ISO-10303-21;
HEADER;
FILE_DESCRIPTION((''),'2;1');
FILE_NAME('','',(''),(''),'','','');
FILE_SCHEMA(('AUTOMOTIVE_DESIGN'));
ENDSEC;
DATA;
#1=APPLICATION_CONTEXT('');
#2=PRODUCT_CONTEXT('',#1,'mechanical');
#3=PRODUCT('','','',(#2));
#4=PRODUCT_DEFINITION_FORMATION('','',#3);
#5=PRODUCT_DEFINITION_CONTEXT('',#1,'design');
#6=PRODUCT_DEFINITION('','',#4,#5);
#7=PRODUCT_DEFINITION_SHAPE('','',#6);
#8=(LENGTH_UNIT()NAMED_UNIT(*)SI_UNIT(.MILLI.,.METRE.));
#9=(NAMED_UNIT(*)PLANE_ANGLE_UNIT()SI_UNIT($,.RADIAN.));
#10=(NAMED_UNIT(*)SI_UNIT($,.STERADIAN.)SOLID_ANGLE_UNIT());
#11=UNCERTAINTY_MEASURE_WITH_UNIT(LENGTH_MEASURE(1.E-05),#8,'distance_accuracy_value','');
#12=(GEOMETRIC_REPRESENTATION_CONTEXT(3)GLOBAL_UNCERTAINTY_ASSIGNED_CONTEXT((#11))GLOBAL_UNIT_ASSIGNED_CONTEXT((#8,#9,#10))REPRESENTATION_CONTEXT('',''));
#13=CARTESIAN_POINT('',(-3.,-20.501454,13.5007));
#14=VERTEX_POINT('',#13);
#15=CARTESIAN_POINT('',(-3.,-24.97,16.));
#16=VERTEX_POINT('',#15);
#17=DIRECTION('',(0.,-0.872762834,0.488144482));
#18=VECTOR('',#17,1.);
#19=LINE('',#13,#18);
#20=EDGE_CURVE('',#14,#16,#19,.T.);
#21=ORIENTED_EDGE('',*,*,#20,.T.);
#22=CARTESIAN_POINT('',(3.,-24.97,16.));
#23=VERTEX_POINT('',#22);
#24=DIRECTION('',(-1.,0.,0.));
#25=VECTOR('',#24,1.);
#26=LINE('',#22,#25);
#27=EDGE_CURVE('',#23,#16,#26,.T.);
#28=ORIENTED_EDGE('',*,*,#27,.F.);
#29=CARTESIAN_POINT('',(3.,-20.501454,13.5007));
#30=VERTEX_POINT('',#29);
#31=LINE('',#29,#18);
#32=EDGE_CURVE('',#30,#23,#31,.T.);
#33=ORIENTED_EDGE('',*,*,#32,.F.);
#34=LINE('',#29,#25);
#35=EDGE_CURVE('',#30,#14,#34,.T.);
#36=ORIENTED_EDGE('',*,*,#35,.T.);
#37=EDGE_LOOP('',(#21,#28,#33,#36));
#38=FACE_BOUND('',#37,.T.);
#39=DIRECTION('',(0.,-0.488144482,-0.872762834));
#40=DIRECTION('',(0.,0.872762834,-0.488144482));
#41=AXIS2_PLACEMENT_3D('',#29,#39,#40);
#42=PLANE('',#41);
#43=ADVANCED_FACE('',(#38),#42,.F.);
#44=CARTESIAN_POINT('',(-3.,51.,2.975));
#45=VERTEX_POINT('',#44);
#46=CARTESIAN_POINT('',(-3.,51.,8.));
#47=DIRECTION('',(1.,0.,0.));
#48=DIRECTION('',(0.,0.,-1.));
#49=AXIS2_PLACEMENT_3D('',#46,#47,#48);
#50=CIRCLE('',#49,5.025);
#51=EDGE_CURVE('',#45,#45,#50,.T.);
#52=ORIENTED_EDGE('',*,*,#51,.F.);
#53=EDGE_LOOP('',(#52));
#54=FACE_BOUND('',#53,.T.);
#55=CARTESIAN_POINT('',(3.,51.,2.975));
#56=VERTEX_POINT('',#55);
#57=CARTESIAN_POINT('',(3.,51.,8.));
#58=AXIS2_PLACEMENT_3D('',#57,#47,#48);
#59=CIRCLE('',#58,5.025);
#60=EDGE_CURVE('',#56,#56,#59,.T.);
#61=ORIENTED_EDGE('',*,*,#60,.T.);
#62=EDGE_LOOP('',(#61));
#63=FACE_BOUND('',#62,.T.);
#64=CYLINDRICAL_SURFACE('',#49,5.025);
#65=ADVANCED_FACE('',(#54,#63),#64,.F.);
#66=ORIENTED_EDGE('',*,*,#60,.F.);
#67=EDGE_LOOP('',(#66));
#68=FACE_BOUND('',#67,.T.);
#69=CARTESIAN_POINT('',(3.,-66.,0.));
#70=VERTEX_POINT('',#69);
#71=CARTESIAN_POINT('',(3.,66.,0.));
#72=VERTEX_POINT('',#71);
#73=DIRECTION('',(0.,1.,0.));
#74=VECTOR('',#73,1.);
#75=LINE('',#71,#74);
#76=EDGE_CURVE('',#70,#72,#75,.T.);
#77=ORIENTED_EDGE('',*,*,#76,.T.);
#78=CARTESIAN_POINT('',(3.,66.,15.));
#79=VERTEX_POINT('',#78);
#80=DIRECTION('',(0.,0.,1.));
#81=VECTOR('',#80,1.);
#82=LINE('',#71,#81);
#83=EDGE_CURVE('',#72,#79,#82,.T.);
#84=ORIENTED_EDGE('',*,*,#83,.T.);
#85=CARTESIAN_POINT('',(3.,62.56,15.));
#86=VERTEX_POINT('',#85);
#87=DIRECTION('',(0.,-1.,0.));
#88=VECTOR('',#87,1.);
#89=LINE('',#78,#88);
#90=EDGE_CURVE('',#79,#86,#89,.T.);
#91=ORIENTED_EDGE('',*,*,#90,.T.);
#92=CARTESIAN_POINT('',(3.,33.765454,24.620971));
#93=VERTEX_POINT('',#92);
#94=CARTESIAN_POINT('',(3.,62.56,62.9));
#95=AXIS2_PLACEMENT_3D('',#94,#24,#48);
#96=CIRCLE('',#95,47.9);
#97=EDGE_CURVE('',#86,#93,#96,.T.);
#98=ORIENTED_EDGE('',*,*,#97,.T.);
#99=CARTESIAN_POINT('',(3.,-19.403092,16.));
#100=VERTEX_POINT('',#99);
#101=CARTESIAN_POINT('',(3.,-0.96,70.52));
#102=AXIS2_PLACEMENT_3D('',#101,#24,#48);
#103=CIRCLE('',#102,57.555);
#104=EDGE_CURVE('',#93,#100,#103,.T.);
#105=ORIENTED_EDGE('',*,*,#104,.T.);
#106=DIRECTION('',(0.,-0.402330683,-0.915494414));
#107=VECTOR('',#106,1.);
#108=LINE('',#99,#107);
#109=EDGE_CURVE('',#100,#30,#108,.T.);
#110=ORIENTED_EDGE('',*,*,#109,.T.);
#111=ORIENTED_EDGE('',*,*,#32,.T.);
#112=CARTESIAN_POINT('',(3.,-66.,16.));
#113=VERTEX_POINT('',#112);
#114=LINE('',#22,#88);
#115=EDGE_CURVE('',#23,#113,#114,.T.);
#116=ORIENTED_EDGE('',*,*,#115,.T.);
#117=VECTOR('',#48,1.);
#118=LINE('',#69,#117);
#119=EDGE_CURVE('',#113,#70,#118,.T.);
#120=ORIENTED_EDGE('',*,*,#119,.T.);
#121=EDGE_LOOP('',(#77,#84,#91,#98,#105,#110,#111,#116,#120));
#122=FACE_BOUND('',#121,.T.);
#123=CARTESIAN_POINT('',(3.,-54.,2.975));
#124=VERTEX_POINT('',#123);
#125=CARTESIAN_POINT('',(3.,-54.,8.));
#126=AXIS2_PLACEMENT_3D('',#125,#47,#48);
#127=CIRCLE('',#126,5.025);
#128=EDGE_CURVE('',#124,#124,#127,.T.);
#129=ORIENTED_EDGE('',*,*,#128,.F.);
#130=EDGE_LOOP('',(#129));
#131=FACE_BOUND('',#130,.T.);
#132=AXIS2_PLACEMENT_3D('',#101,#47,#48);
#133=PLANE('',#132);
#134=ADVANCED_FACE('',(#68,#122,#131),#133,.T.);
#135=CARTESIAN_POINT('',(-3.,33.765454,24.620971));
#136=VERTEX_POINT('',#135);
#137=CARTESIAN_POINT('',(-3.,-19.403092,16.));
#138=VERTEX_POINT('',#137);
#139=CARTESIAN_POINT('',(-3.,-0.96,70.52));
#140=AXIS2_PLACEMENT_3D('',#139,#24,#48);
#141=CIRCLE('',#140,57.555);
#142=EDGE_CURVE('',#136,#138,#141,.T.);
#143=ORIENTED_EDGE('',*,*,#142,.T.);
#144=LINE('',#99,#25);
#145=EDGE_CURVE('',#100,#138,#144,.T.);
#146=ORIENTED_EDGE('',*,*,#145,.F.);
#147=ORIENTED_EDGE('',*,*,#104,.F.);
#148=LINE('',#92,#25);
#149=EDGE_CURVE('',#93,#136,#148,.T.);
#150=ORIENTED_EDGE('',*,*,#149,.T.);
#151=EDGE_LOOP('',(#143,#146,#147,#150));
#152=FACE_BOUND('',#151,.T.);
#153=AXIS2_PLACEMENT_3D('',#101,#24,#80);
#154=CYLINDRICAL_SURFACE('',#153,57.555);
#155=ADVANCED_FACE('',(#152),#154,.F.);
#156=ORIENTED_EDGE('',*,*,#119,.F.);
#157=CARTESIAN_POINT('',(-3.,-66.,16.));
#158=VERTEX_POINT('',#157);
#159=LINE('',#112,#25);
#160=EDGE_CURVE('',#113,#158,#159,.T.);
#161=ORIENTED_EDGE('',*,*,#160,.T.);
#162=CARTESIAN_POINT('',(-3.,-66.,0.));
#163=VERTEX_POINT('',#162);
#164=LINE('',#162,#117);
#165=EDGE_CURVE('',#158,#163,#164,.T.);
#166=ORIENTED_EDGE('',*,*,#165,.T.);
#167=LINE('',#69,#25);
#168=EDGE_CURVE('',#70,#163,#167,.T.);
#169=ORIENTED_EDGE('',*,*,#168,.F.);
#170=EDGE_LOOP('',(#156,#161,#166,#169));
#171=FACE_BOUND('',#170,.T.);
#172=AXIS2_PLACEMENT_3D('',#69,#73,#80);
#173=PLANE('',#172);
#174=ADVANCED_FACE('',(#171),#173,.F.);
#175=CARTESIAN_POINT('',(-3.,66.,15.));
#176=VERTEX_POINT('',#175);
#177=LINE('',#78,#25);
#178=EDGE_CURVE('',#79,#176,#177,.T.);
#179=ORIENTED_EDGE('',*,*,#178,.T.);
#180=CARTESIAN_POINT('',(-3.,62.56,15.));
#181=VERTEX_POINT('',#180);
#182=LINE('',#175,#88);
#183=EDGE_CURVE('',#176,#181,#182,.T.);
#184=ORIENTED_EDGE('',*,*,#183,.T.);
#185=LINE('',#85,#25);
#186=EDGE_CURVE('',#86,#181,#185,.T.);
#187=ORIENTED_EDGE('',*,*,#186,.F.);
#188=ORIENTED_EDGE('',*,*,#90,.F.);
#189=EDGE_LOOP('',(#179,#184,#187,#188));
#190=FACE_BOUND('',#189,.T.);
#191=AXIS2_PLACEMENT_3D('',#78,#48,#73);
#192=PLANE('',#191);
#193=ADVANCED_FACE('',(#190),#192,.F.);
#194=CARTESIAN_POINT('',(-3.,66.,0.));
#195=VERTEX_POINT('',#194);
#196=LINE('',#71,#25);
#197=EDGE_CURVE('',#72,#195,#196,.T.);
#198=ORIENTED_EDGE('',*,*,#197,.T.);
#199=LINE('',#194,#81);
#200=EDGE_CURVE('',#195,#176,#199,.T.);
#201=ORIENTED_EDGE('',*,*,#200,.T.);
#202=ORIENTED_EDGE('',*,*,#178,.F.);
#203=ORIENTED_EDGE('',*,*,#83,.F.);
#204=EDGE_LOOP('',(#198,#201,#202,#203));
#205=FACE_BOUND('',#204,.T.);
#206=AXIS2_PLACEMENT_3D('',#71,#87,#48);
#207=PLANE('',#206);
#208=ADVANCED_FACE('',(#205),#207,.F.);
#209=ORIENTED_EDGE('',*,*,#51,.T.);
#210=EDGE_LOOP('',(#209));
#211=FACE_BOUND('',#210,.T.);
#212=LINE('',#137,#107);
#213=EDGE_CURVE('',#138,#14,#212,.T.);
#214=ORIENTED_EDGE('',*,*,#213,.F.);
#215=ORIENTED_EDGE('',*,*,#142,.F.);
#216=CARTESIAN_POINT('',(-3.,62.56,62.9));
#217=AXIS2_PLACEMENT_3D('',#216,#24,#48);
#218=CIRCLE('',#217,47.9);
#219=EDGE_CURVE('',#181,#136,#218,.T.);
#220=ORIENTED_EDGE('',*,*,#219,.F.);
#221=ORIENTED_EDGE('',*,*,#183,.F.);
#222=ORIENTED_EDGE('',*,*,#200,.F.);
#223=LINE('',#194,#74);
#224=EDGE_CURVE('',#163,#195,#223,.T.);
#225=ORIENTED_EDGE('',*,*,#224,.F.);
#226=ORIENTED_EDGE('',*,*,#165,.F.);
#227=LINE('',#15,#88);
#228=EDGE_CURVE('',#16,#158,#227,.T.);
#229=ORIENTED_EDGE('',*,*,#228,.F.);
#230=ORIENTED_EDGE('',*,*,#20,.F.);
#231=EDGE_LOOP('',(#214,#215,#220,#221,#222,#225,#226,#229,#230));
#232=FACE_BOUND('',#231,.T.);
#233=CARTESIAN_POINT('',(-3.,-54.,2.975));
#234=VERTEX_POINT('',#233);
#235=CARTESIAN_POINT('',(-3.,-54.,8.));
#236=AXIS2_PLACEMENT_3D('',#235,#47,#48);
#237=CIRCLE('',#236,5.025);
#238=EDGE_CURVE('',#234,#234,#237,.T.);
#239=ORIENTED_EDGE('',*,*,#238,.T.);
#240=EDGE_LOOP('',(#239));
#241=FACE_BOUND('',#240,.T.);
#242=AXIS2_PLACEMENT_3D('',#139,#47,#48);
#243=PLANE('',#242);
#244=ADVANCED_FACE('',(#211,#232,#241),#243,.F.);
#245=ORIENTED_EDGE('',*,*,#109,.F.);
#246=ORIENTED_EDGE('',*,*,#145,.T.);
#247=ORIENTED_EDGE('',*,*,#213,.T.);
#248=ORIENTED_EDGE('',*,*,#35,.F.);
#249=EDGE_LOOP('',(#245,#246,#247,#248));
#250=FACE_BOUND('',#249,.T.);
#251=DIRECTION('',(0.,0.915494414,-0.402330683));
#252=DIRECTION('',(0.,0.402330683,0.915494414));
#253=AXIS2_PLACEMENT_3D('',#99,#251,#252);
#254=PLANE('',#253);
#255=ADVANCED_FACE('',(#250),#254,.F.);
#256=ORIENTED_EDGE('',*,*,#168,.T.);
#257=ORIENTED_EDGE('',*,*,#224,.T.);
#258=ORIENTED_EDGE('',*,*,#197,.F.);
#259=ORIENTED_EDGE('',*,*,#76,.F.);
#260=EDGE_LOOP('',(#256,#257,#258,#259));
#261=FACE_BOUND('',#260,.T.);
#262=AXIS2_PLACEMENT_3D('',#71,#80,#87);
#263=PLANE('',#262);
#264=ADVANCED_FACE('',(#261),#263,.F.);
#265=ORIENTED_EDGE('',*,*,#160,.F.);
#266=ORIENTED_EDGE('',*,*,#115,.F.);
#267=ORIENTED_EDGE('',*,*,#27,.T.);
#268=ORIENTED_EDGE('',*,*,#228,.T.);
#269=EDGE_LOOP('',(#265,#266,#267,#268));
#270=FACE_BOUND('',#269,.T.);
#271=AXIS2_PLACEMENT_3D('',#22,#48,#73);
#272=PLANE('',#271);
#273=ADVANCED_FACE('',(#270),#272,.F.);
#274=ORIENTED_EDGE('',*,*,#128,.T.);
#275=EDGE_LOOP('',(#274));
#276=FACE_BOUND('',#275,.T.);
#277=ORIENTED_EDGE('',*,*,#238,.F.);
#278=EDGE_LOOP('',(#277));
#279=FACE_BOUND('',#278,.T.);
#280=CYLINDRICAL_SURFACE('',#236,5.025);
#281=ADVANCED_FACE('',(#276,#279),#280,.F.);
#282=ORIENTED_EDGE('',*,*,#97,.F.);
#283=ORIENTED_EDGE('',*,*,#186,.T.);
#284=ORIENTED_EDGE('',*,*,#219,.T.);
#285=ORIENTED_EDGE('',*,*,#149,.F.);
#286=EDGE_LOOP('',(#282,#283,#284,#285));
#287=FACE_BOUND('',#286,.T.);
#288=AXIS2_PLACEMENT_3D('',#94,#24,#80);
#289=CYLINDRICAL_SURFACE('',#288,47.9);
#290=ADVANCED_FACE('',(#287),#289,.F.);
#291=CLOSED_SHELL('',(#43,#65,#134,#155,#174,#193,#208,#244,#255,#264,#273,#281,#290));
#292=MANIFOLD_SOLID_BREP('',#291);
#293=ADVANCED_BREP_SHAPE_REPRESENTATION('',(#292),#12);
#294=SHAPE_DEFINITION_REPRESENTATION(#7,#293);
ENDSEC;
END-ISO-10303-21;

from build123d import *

# Parameters (mm, degrees)
BOSS_EXTRUDE1_DEPTH = 3
SKETCH3_R           = 5.025
CUT_EXTRUDE1_DEPTH  = 71.697893831


with BuildPart() as part:
    # Sketch1 → Boss-Extrude1 (new, symmetric)
    with BuildSketch(Plane(origin=(0, 0, 0), x_dir=(0, 0, -1), z_dir=(1, 0, 0))):
        with BuildLine():
            Line((0, 66), (-15, 66))
            Line((-15, 66), (-15, 62.56))
            ThreePointArc((-15, 62.56), (-17.468868001, 47.38033448), (-24.620970576, 33.765453531))
            ThreePointArc((-24.620970576, 33.765453531), (-13.706982887, 8.251900539), (-16, -19.403091525))
            Line((-16, -19.403091525), (-13.500700251, -20.50145429))
            Line((-13.500700251, -20.50145429), (-16, -24.97))
            Line((-16, -24.97), (-16, -66))
            Line((-16, -66), (0, -66))
            Line((0, -66), (0, 66))
        make_face()
    extrude(amount=BOSS_EXTRUDE1_DEPTH, both=True)

    # Sketch3 → Cut-Extrude1 (cut, through all)
    with BuildSketch(Plane(origin=(3, 0, 0), x_dir=(0, 0, -1), z_dir=(1, 0, 0))):
        with Locations((-8, 51)):
            Circle(SKETCH3_R)
        with Locations((-8, -54)):
            Circle(SKETCH3_R)
    extrude(amount=-CUT_EXTRUDE1_DEPTH, mode=Mode.SUBTRACT)


solid = part.part
